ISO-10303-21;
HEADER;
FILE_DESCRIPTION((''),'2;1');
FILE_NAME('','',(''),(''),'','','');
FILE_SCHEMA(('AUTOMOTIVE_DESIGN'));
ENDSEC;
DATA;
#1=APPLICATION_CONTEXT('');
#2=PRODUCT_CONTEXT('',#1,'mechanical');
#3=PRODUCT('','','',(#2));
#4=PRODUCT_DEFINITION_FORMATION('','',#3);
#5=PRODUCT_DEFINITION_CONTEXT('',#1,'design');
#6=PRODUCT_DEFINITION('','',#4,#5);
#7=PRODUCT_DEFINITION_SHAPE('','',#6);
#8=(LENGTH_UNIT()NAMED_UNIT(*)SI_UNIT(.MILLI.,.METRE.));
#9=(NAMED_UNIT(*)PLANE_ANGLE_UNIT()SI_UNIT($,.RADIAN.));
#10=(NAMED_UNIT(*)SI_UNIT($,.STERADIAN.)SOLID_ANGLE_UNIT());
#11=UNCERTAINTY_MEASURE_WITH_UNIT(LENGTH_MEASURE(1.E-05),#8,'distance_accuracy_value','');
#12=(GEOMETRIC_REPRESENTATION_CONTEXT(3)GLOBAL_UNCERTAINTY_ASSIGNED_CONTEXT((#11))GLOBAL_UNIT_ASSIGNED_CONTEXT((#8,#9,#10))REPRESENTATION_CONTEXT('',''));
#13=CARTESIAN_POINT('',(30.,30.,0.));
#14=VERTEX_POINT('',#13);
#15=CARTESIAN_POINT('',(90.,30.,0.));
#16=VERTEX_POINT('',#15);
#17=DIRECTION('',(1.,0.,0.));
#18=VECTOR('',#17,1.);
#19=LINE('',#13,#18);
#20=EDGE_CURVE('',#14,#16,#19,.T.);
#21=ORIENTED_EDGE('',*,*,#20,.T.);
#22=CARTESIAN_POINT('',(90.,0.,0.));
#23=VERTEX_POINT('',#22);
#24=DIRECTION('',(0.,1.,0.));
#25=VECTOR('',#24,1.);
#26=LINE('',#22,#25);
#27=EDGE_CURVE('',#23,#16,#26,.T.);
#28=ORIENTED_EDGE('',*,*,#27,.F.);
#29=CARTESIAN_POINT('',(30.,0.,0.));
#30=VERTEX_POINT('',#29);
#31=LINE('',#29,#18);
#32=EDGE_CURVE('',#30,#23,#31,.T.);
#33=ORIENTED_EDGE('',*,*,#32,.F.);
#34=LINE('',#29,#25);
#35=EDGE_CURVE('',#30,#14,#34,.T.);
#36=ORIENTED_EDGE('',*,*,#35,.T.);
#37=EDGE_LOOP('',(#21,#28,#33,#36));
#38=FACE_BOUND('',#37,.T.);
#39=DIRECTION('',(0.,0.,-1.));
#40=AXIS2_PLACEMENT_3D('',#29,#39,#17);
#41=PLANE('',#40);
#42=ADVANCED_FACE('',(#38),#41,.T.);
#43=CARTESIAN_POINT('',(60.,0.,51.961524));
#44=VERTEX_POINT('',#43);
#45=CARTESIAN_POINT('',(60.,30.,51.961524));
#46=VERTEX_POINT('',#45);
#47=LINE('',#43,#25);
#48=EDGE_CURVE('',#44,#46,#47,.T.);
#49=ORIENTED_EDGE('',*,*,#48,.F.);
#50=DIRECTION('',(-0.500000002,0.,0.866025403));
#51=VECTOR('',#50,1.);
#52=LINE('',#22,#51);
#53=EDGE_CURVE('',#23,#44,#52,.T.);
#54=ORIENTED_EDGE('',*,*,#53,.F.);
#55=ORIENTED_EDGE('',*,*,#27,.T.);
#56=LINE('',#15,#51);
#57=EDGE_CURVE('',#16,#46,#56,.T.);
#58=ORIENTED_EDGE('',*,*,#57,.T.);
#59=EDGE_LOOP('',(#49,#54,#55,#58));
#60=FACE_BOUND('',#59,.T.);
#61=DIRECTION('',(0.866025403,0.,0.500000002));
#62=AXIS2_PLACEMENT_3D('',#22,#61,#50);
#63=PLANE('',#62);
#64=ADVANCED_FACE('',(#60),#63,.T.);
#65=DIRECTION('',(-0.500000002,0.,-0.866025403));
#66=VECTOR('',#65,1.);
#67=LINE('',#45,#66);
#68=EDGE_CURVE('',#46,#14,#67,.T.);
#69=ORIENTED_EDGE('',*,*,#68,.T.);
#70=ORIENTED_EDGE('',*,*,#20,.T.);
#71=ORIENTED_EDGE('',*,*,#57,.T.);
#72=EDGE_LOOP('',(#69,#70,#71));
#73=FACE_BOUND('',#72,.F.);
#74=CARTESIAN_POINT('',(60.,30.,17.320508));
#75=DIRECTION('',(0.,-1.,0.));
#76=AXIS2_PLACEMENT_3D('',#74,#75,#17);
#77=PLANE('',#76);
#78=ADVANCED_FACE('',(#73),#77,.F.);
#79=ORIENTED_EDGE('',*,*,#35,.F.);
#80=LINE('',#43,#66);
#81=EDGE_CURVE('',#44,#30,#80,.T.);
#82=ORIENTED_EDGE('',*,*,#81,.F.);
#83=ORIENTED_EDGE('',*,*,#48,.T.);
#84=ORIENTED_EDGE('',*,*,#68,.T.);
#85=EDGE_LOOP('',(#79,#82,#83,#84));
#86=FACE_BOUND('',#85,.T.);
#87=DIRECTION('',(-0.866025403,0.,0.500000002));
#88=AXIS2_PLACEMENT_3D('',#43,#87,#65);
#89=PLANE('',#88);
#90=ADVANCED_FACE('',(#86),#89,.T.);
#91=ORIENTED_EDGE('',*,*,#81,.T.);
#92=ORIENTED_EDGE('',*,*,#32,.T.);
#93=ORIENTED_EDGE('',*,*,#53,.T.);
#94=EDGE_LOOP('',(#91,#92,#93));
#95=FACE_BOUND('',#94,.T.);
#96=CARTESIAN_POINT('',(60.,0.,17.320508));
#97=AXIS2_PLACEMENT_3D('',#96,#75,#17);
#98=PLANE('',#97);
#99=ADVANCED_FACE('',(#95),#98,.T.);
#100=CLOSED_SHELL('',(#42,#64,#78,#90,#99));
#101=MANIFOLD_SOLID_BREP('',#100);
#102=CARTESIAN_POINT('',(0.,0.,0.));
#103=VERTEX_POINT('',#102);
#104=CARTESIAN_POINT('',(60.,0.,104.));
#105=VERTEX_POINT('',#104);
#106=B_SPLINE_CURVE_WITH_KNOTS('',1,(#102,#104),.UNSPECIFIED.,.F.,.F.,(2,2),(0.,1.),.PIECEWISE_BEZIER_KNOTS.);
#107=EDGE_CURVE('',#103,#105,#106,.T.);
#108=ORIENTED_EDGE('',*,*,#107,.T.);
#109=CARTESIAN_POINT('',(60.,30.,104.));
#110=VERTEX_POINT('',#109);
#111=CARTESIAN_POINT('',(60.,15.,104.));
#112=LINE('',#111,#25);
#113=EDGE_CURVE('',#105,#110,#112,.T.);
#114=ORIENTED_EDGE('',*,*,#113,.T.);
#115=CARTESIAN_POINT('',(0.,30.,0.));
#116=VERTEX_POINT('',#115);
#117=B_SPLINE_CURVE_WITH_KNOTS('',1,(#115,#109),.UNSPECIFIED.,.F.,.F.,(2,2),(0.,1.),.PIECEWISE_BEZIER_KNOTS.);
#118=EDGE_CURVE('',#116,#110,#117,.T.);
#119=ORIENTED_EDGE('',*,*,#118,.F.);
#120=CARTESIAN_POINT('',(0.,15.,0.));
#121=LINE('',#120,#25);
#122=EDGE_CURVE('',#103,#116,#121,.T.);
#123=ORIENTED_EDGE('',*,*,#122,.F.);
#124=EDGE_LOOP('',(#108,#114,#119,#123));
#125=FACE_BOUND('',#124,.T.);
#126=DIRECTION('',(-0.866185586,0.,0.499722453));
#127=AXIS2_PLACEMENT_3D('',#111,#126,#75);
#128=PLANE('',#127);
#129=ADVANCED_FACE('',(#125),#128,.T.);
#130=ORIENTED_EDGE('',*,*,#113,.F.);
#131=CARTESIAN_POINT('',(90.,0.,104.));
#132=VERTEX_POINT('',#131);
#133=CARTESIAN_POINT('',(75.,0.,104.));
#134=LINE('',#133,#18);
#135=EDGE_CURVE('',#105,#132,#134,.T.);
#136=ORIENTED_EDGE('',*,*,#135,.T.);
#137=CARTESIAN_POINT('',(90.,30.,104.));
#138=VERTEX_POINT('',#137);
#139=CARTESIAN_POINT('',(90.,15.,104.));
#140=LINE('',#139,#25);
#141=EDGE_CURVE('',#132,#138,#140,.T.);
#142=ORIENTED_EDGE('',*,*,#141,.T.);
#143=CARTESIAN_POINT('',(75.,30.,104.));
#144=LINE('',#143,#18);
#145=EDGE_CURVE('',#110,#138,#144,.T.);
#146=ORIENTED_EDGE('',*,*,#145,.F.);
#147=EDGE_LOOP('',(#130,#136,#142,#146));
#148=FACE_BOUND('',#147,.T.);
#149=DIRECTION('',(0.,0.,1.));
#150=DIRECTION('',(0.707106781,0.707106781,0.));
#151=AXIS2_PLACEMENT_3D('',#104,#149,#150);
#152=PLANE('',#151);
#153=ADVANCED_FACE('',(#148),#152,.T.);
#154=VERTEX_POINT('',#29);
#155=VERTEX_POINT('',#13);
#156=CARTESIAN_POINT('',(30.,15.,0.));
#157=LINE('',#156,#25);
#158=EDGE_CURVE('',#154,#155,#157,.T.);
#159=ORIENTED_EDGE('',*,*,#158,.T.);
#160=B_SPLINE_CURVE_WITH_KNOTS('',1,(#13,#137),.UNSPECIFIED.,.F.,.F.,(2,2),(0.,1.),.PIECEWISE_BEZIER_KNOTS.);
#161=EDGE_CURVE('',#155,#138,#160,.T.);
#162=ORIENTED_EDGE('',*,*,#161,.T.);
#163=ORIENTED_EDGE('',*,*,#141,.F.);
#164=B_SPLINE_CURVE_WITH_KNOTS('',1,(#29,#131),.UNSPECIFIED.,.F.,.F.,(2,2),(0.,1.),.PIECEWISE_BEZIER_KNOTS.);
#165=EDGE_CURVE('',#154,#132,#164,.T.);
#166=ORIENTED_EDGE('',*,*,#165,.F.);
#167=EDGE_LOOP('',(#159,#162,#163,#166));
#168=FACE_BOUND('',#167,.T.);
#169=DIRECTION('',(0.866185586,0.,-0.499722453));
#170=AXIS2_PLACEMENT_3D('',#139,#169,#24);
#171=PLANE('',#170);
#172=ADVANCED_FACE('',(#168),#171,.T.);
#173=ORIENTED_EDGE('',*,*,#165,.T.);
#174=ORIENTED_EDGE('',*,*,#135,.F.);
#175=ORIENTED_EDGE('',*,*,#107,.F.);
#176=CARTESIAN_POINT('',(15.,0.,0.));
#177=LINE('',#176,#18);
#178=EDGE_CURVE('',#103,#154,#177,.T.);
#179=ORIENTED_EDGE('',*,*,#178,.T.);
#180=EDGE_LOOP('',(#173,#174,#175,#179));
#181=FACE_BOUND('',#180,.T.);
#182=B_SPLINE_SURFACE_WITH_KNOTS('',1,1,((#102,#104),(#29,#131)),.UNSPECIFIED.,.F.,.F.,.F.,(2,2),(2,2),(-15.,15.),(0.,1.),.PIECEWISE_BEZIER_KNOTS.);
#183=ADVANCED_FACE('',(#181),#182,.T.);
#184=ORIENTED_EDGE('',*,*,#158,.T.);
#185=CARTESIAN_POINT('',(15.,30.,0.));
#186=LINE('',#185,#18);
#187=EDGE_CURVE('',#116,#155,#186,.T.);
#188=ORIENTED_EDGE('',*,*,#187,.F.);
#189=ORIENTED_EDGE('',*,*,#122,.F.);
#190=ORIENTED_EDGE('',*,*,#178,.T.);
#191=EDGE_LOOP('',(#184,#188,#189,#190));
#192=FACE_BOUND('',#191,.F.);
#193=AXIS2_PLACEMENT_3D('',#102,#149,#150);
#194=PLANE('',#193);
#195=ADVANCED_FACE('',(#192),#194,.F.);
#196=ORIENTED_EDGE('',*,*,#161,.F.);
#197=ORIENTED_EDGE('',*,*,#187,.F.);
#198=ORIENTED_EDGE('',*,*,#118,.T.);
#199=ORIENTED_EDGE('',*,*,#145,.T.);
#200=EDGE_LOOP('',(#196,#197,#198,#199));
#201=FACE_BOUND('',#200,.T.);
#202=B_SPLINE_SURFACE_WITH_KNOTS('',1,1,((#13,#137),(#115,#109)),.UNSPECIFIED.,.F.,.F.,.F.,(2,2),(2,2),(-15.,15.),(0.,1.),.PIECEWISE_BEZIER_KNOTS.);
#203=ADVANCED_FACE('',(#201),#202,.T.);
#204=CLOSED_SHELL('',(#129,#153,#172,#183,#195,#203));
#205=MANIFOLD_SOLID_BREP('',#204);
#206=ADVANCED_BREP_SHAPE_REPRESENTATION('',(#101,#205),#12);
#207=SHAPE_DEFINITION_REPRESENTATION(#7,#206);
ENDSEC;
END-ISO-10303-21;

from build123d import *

# Parameters (mm, degrees)
F1_DEPTH = 30
F2_W     = 30
F2_H     = 30
F4_W     = 30
F4_H     = 30


with BuildPart() as f1:
    # F0 (on Front) → F1 (new body)
    with BuildSketch(Plane.XZ):
        Polygon((60, 51.961524), (30, 0), (90, 0), align=None)
    extrude(amount=-F1_DEPTH)


with BuildPart() as f5:
    # F2 (on Top) → F5 section 0
    with BuildSketch(Plane.XY):
        with Locations((15, 15)):
            Rectangle(F2_W, F2_H)
    # F4 (on offset) → F5 section 1
    with BuildSketch(Plane.XY.offset(104)):
        with Locations((75, 15)):
            Rectangle(F4_W, F4_H)
    loft()


solid = Compound([f1.part, f5.part])
